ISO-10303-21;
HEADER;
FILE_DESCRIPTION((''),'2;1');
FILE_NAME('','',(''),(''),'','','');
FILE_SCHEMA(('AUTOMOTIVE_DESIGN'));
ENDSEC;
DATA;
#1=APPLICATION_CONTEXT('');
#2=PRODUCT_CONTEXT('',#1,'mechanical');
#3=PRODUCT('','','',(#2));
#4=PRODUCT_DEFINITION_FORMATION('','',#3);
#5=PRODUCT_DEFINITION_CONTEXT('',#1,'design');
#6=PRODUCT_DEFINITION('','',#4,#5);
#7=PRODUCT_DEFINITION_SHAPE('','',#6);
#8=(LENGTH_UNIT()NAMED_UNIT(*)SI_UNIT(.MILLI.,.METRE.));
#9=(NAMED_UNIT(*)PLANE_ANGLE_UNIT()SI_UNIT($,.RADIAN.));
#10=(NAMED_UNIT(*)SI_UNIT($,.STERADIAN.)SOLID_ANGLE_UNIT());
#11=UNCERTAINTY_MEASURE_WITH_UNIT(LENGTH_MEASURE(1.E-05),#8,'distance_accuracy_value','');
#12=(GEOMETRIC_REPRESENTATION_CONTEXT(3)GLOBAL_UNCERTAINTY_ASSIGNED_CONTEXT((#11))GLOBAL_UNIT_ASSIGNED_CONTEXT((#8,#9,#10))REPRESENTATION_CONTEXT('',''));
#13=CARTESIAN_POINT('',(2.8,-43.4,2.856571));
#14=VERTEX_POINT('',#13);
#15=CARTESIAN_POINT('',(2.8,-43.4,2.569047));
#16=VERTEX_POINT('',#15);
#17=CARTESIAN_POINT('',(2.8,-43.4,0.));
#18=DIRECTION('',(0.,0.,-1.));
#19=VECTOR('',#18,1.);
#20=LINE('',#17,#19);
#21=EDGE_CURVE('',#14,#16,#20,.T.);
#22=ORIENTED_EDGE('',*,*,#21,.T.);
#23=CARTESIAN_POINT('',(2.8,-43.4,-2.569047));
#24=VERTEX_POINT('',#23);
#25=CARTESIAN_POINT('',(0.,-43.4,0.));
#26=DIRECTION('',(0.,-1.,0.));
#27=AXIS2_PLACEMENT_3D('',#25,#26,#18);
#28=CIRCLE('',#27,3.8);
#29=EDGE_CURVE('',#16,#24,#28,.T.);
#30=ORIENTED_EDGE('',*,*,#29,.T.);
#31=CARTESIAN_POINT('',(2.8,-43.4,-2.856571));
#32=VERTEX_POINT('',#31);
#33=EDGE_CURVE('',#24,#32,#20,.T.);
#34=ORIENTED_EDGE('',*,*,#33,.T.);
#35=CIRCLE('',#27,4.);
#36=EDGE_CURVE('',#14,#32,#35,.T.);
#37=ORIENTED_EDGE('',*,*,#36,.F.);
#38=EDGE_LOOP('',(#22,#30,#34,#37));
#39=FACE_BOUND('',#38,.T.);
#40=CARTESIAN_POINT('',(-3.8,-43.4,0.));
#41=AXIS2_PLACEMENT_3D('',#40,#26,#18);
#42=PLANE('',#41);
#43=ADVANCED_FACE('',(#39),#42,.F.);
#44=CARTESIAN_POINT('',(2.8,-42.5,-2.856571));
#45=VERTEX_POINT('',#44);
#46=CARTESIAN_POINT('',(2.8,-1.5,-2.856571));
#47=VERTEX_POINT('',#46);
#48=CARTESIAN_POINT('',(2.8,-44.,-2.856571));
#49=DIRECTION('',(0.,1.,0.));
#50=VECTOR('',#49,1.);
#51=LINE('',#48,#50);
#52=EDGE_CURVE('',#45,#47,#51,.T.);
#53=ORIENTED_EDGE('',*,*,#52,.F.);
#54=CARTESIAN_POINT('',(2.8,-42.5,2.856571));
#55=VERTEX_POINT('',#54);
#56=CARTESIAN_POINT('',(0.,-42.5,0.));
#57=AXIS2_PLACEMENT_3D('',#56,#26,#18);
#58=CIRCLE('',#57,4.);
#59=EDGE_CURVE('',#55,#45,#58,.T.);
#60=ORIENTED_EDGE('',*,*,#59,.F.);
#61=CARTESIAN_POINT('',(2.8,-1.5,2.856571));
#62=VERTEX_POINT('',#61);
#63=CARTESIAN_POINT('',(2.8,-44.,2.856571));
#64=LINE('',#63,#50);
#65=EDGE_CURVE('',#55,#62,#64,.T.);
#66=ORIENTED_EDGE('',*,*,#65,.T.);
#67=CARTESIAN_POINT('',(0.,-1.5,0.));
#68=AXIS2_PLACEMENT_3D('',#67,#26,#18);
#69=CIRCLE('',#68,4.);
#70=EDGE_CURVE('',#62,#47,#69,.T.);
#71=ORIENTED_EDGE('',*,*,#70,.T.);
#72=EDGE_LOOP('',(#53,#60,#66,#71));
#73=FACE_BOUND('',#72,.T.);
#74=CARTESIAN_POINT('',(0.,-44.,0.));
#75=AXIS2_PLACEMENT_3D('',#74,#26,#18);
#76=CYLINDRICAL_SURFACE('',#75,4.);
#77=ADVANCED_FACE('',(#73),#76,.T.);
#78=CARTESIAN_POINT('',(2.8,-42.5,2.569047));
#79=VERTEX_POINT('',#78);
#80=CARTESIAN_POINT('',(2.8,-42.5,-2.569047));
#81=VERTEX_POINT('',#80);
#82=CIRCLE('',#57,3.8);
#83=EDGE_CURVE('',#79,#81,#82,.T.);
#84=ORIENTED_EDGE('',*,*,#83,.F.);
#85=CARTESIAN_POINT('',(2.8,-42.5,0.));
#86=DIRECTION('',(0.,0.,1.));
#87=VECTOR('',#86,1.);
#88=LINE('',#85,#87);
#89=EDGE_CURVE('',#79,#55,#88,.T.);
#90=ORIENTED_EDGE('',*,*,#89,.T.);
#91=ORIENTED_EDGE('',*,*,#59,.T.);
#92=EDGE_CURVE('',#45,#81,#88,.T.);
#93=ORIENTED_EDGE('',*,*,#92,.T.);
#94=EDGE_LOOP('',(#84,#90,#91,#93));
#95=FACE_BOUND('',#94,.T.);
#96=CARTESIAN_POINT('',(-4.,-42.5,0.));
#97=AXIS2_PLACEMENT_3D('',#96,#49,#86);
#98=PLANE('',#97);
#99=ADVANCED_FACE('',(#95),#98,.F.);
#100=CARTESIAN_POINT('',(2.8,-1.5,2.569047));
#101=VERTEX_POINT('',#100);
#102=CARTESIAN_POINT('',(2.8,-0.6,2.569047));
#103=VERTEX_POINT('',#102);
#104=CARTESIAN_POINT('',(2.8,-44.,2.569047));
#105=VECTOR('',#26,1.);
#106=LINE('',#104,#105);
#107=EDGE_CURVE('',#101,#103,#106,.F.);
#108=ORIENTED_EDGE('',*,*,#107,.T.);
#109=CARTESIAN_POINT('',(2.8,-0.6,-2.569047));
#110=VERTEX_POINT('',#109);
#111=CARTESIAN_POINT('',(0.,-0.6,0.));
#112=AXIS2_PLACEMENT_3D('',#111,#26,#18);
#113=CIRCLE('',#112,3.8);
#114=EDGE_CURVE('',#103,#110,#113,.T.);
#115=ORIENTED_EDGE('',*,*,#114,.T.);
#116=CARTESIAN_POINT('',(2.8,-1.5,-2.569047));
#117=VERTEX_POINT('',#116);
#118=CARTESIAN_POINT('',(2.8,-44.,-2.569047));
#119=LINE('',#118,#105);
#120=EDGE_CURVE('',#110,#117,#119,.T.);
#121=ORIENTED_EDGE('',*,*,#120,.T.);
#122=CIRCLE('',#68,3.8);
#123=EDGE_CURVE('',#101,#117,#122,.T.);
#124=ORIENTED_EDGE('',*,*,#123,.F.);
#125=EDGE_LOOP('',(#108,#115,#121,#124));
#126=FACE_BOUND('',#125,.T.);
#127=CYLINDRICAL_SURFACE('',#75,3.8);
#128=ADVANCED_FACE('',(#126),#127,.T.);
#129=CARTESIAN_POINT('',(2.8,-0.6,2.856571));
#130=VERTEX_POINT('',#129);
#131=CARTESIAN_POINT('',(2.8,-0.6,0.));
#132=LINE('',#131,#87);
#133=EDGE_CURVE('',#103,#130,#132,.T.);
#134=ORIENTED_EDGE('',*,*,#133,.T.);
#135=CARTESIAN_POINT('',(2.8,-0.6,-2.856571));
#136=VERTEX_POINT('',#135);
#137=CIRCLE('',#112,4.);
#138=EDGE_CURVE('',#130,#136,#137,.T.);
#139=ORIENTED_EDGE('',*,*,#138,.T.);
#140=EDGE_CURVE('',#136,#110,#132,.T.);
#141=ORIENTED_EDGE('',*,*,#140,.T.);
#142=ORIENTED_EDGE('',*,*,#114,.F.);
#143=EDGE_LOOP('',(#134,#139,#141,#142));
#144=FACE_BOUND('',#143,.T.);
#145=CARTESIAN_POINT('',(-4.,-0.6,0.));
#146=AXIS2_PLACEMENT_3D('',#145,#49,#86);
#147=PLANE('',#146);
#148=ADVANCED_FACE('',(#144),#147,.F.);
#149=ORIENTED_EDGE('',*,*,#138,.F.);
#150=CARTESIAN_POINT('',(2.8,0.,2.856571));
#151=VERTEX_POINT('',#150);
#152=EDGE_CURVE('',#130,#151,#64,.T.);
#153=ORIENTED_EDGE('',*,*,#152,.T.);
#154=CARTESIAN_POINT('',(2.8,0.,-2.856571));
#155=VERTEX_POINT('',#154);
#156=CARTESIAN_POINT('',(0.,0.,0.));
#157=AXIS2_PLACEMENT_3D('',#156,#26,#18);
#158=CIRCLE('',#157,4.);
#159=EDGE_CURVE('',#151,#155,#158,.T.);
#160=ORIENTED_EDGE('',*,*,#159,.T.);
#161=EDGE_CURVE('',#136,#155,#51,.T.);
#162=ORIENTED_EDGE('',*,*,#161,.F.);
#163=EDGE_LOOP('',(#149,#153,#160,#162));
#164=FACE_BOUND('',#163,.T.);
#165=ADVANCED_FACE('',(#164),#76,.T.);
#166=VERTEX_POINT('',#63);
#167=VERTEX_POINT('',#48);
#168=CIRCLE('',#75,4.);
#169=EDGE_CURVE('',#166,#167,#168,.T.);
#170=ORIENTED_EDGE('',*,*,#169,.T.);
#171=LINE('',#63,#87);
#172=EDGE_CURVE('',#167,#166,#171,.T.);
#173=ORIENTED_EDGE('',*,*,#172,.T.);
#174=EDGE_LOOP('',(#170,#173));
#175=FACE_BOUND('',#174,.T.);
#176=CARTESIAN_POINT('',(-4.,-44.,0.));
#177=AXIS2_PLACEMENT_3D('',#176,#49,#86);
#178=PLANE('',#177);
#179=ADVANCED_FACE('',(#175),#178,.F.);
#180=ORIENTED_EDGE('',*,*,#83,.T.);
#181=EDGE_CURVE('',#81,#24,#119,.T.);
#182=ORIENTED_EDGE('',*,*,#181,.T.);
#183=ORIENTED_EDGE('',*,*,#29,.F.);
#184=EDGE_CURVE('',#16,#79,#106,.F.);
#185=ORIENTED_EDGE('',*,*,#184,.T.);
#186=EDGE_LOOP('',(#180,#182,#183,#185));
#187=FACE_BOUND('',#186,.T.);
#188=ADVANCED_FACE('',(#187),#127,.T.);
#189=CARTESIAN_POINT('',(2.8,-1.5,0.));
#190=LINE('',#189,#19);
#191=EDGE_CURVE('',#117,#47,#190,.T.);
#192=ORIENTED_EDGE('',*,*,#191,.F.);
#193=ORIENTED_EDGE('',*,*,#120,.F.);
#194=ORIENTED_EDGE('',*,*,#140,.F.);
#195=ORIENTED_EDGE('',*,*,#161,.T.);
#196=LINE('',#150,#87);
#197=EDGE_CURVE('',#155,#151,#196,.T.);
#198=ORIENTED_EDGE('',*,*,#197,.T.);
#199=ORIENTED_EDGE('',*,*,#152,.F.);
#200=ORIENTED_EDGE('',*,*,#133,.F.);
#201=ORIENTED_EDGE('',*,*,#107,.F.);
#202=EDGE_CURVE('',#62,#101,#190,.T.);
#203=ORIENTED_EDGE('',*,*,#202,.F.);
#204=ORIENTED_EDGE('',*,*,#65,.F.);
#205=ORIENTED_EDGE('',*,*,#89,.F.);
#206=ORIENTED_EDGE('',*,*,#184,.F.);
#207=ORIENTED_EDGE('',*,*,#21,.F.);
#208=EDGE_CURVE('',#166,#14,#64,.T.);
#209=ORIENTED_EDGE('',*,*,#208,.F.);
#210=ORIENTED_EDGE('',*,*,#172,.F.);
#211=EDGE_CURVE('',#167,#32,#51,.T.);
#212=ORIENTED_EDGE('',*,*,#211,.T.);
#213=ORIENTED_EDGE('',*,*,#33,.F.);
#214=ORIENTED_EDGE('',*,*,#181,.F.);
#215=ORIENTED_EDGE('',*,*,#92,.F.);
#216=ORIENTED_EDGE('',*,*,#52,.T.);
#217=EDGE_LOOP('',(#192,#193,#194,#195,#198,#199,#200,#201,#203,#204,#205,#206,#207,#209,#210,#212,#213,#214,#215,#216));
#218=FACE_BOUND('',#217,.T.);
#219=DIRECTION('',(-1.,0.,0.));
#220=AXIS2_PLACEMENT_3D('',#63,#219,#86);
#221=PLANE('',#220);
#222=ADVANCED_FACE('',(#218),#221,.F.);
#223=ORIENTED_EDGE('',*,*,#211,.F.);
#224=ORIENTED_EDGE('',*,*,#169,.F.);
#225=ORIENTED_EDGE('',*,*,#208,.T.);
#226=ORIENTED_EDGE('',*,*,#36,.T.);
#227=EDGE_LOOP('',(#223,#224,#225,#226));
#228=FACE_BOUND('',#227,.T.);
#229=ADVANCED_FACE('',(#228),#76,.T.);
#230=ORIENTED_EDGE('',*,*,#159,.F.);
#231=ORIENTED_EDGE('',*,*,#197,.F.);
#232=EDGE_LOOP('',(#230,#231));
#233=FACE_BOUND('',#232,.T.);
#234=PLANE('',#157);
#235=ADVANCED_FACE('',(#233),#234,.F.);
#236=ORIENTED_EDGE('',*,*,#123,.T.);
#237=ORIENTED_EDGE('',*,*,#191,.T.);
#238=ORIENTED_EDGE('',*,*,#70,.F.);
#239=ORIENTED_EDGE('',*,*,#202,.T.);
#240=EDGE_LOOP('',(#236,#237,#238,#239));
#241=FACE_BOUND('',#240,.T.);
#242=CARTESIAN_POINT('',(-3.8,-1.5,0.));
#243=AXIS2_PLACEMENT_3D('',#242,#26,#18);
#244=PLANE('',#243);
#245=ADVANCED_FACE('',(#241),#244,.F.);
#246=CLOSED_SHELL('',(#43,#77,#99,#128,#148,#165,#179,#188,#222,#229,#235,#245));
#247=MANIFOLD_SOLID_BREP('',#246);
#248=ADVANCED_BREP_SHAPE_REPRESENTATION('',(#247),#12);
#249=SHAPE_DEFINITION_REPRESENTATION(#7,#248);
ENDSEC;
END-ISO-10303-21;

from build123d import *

# Parameters (mm, degrees)
CUT_EXTRUDE1_DEPTH = 45.362146026


with BuildPart() as part:
    # Sketch1 → Revolve1 (revolve)
    with BuildSketch(Plane.XY, mode=Mode.PRIVATE) as revolve1_sk:
        Polygon((0, 0), (-4, 0), (-4, -0.6), (-3.8, -0.6), (-3.8, -1.5), (-4, -1.5), (-4, -42.5), (-3.8, -42.5), (-3.8, -43.4), (-4, -43.4), (-4, -44), (0, -44), align=None)
    revolve(revolve1_sk.sketch.rotate(Axis((0, -44, 0), (0, 1, 0)), 270), axis=Axis((0, -44, 0), (0, 1, 0)))

    # Sketch2 → Cut-Extrude1 (cut, through all)
    with BuildSketch(Plane(origin=(0, 0, 0), x_dir=(1, 0, 0), z_dir=(0, 1, 0))):
        with BuildLine():
            Line((2.8, -2.856571371), (2.8, 2.856571371))
            ThreePointArc((2.8, 2.856571371), (4, 0), (2.8, -2.856571371))
        make_face()
    extrude(amount=-CUT_EXTRUDE1_DEPTH, mode=Mode.SUBTRACT)


solid = part.part
